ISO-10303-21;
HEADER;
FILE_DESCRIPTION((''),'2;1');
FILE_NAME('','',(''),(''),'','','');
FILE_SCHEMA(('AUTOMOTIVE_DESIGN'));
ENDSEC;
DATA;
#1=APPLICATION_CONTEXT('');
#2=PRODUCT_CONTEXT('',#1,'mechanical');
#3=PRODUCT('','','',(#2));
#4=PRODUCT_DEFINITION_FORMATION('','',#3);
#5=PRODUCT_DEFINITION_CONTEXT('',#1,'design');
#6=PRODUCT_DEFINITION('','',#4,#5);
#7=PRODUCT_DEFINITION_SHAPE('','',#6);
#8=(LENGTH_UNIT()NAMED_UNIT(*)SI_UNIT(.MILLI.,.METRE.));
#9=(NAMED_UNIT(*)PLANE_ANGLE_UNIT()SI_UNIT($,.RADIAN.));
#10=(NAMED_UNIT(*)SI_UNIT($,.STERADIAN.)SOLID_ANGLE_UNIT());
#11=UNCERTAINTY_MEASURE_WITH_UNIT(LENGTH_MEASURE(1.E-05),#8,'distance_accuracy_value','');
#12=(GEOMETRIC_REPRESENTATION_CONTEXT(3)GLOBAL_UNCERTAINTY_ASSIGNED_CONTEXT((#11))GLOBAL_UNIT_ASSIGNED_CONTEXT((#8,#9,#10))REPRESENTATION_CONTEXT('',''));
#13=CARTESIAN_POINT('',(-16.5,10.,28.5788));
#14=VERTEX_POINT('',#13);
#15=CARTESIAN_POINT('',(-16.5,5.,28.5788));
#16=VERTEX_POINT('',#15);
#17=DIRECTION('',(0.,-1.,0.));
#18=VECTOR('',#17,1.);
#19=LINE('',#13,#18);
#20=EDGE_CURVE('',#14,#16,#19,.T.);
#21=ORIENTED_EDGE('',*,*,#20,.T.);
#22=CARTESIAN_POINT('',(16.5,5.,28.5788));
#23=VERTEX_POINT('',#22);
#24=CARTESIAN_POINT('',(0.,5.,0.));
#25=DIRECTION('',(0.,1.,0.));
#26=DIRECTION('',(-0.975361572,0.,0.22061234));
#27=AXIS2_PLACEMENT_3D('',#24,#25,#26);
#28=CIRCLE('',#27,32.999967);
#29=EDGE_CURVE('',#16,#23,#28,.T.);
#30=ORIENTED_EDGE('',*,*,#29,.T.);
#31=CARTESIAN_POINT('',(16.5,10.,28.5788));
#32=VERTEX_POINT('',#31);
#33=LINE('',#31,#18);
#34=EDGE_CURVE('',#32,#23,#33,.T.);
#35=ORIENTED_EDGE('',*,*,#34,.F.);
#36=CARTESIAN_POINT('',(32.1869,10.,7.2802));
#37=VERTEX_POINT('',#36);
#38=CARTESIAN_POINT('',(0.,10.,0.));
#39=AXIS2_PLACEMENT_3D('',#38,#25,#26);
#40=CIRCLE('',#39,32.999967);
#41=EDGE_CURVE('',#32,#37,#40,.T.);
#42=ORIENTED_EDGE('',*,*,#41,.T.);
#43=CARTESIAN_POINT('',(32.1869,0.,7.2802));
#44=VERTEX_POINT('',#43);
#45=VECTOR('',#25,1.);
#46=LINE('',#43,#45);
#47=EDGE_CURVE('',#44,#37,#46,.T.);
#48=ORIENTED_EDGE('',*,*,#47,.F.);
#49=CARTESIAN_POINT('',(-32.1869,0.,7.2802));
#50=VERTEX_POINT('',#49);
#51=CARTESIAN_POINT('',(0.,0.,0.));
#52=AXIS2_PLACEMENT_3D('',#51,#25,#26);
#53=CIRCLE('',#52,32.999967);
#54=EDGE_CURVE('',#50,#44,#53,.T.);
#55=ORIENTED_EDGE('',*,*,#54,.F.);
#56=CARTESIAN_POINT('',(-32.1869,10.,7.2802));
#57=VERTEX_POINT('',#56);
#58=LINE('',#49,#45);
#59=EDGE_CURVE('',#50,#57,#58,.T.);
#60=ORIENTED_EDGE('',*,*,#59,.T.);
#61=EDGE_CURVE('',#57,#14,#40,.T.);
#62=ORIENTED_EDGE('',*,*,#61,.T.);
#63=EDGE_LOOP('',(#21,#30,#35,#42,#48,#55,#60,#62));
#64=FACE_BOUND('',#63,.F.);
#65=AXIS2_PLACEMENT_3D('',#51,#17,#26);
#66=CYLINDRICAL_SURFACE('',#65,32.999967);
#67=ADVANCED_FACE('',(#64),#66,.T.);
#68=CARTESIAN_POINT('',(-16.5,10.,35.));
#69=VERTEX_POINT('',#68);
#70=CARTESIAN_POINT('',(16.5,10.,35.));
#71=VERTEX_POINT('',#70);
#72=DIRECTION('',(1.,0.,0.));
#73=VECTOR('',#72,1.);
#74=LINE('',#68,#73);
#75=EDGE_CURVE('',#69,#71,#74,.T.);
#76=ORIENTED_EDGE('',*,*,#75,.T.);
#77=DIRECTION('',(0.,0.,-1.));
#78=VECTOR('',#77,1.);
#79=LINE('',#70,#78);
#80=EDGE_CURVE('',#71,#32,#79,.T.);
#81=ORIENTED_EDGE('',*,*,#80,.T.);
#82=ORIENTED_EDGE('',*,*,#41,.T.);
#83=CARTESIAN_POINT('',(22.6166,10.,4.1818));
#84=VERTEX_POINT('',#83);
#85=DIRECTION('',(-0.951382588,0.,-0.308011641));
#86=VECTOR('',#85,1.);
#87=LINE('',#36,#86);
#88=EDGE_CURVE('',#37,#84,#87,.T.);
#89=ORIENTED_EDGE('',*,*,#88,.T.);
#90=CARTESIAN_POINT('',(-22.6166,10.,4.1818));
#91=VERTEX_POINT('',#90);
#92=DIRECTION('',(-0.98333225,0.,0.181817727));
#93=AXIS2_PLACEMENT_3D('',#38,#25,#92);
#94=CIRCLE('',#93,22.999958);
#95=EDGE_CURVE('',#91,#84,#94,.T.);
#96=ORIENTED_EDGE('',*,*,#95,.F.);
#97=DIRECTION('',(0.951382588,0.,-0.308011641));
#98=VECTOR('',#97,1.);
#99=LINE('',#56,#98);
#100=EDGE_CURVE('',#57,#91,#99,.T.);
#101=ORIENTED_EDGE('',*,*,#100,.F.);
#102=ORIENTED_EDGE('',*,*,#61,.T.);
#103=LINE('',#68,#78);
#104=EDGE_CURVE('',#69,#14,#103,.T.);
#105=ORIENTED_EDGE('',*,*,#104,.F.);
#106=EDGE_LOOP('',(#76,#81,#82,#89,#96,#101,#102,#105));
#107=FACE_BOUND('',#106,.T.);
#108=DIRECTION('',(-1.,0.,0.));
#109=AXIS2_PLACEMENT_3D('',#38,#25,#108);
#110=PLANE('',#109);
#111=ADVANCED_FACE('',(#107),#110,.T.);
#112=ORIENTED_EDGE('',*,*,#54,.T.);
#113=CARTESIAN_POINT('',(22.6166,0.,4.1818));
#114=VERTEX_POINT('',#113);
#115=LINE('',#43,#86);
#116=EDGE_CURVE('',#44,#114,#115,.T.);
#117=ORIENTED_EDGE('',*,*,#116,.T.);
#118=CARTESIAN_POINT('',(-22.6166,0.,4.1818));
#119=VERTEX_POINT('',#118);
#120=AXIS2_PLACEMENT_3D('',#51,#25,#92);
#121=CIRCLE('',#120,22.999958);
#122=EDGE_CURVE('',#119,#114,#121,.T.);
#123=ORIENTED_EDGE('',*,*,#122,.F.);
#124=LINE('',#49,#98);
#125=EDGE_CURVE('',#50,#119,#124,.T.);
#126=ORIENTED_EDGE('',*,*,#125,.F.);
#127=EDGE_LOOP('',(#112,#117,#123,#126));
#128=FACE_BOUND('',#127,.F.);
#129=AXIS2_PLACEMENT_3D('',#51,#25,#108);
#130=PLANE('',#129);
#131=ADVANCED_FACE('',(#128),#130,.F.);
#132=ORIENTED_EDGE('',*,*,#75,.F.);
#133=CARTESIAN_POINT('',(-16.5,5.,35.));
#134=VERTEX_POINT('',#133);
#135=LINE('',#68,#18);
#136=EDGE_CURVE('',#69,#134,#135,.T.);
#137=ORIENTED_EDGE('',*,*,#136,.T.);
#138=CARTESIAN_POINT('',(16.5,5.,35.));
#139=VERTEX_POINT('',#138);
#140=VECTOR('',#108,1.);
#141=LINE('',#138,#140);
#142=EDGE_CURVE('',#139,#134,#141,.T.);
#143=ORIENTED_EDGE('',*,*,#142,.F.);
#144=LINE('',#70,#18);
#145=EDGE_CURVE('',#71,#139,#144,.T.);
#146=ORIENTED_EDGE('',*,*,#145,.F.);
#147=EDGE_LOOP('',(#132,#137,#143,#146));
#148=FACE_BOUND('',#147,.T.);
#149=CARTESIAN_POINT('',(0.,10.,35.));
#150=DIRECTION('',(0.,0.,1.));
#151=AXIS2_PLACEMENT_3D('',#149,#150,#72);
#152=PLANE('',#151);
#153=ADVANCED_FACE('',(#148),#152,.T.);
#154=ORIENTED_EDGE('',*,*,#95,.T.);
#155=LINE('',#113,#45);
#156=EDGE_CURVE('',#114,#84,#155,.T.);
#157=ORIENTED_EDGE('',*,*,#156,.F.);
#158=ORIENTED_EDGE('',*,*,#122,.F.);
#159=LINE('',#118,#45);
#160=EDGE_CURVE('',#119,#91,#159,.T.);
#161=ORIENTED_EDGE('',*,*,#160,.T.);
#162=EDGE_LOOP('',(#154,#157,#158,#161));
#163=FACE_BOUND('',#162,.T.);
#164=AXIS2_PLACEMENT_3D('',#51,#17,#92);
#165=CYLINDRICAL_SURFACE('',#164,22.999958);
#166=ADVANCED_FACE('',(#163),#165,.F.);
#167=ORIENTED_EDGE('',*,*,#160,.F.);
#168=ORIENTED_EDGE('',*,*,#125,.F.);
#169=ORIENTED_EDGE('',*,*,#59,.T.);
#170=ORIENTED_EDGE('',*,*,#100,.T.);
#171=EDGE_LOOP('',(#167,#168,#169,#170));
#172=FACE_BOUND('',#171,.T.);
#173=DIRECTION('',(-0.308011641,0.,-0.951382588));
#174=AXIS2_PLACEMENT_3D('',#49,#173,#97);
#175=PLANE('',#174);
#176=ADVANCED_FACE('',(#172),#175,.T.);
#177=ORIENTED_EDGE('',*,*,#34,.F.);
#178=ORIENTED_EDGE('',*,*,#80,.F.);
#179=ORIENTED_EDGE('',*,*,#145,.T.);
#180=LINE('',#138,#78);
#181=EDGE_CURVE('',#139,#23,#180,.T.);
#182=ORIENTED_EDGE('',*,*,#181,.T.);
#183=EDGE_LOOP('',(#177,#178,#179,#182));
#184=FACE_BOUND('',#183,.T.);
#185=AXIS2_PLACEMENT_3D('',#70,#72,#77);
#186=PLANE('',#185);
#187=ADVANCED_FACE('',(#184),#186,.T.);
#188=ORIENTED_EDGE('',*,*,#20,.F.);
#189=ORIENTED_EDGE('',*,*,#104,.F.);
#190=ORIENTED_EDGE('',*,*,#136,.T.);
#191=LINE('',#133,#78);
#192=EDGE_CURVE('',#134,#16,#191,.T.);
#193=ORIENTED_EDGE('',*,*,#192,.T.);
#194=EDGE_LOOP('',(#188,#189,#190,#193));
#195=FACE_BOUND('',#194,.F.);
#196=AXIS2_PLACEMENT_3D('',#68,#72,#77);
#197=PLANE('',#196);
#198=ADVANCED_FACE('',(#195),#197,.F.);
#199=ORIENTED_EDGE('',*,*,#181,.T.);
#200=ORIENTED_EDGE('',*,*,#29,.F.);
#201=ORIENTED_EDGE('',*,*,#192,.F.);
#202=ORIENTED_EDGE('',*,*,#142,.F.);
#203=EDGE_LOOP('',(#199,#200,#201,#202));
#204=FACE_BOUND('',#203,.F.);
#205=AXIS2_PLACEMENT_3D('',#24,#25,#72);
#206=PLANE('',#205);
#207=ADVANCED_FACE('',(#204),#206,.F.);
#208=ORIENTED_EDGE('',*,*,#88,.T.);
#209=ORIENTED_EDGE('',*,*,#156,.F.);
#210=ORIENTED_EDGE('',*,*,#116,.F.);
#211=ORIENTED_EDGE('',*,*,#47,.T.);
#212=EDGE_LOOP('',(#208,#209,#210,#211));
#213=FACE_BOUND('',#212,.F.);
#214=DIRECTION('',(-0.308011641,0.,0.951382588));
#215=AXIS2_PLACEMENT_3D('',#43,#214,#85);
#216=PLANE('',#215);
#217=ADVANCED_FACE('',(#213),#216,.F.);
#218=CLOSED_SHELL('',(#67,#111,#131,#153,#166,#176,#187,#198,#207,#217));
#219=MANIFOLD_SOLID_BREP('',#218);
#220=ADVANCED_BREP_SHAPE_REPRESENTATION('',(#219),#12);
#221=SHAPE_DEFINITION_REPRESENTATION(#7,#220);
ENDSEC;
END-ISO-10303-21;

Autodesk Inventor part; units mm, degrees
ref_plane "YZ Plane" through (0, 0, 0) normal (1, 0, 0) x (0, 1, 0)
ref_plane "XZ Plane" through (0, 0, 0) normal (0, 1, 0) x (-1, 0, 0)
ref_plane "XY Plane" through (0, 0, 0) normal (0, 0, 1) x (1, 0, 0)
sketch "Sketch1" plane through (0, 0, 0) normal (0, 1, 0) x (-1, 0, 0)
  line L0 (32.1869, 7.2802) -> (22.6166, 4.1818)
  line L1 (-32.1869, 7.2802) -> (-22.6166, 4.1818)
  arc A0 (32.1869, 7.2802) -> (-32.1869, 7.2802) centre (0, 0) ccw
  arc A1 (22.6166, 4.1818) -> (-22.6166, 4.1818) centre (0, 0) ccw
  dimension "d7" = 23
  dimension "d8" = 33
extrude "Extrusion1" add sketch "Sketch1" along normal blind 10
sketch "Sketch2" plane through (0, 10, 0) normal (0, 1, 0) x (1, 0, 0)
  arc A0 (-32.1869, -7.2802) -> (32.1869, -7.2802) centre (0, 0) ccw projected
  line L0 (0, -35) -> (-16.5, -35)
  line L1 (-16.5, -35) -> (16.5, -35)
  line L2 (-16.5, -35) -> (-16.5, -28.5788)
  line L3 (16.5, -35) -> (16.5, -28.5788)
  dimension "d10" = 16.5
  dimension "d11" = 33
extrude "Extrusion2" add sketch "Sketch2" against normal blind 5
properties part number "g_jaws"
